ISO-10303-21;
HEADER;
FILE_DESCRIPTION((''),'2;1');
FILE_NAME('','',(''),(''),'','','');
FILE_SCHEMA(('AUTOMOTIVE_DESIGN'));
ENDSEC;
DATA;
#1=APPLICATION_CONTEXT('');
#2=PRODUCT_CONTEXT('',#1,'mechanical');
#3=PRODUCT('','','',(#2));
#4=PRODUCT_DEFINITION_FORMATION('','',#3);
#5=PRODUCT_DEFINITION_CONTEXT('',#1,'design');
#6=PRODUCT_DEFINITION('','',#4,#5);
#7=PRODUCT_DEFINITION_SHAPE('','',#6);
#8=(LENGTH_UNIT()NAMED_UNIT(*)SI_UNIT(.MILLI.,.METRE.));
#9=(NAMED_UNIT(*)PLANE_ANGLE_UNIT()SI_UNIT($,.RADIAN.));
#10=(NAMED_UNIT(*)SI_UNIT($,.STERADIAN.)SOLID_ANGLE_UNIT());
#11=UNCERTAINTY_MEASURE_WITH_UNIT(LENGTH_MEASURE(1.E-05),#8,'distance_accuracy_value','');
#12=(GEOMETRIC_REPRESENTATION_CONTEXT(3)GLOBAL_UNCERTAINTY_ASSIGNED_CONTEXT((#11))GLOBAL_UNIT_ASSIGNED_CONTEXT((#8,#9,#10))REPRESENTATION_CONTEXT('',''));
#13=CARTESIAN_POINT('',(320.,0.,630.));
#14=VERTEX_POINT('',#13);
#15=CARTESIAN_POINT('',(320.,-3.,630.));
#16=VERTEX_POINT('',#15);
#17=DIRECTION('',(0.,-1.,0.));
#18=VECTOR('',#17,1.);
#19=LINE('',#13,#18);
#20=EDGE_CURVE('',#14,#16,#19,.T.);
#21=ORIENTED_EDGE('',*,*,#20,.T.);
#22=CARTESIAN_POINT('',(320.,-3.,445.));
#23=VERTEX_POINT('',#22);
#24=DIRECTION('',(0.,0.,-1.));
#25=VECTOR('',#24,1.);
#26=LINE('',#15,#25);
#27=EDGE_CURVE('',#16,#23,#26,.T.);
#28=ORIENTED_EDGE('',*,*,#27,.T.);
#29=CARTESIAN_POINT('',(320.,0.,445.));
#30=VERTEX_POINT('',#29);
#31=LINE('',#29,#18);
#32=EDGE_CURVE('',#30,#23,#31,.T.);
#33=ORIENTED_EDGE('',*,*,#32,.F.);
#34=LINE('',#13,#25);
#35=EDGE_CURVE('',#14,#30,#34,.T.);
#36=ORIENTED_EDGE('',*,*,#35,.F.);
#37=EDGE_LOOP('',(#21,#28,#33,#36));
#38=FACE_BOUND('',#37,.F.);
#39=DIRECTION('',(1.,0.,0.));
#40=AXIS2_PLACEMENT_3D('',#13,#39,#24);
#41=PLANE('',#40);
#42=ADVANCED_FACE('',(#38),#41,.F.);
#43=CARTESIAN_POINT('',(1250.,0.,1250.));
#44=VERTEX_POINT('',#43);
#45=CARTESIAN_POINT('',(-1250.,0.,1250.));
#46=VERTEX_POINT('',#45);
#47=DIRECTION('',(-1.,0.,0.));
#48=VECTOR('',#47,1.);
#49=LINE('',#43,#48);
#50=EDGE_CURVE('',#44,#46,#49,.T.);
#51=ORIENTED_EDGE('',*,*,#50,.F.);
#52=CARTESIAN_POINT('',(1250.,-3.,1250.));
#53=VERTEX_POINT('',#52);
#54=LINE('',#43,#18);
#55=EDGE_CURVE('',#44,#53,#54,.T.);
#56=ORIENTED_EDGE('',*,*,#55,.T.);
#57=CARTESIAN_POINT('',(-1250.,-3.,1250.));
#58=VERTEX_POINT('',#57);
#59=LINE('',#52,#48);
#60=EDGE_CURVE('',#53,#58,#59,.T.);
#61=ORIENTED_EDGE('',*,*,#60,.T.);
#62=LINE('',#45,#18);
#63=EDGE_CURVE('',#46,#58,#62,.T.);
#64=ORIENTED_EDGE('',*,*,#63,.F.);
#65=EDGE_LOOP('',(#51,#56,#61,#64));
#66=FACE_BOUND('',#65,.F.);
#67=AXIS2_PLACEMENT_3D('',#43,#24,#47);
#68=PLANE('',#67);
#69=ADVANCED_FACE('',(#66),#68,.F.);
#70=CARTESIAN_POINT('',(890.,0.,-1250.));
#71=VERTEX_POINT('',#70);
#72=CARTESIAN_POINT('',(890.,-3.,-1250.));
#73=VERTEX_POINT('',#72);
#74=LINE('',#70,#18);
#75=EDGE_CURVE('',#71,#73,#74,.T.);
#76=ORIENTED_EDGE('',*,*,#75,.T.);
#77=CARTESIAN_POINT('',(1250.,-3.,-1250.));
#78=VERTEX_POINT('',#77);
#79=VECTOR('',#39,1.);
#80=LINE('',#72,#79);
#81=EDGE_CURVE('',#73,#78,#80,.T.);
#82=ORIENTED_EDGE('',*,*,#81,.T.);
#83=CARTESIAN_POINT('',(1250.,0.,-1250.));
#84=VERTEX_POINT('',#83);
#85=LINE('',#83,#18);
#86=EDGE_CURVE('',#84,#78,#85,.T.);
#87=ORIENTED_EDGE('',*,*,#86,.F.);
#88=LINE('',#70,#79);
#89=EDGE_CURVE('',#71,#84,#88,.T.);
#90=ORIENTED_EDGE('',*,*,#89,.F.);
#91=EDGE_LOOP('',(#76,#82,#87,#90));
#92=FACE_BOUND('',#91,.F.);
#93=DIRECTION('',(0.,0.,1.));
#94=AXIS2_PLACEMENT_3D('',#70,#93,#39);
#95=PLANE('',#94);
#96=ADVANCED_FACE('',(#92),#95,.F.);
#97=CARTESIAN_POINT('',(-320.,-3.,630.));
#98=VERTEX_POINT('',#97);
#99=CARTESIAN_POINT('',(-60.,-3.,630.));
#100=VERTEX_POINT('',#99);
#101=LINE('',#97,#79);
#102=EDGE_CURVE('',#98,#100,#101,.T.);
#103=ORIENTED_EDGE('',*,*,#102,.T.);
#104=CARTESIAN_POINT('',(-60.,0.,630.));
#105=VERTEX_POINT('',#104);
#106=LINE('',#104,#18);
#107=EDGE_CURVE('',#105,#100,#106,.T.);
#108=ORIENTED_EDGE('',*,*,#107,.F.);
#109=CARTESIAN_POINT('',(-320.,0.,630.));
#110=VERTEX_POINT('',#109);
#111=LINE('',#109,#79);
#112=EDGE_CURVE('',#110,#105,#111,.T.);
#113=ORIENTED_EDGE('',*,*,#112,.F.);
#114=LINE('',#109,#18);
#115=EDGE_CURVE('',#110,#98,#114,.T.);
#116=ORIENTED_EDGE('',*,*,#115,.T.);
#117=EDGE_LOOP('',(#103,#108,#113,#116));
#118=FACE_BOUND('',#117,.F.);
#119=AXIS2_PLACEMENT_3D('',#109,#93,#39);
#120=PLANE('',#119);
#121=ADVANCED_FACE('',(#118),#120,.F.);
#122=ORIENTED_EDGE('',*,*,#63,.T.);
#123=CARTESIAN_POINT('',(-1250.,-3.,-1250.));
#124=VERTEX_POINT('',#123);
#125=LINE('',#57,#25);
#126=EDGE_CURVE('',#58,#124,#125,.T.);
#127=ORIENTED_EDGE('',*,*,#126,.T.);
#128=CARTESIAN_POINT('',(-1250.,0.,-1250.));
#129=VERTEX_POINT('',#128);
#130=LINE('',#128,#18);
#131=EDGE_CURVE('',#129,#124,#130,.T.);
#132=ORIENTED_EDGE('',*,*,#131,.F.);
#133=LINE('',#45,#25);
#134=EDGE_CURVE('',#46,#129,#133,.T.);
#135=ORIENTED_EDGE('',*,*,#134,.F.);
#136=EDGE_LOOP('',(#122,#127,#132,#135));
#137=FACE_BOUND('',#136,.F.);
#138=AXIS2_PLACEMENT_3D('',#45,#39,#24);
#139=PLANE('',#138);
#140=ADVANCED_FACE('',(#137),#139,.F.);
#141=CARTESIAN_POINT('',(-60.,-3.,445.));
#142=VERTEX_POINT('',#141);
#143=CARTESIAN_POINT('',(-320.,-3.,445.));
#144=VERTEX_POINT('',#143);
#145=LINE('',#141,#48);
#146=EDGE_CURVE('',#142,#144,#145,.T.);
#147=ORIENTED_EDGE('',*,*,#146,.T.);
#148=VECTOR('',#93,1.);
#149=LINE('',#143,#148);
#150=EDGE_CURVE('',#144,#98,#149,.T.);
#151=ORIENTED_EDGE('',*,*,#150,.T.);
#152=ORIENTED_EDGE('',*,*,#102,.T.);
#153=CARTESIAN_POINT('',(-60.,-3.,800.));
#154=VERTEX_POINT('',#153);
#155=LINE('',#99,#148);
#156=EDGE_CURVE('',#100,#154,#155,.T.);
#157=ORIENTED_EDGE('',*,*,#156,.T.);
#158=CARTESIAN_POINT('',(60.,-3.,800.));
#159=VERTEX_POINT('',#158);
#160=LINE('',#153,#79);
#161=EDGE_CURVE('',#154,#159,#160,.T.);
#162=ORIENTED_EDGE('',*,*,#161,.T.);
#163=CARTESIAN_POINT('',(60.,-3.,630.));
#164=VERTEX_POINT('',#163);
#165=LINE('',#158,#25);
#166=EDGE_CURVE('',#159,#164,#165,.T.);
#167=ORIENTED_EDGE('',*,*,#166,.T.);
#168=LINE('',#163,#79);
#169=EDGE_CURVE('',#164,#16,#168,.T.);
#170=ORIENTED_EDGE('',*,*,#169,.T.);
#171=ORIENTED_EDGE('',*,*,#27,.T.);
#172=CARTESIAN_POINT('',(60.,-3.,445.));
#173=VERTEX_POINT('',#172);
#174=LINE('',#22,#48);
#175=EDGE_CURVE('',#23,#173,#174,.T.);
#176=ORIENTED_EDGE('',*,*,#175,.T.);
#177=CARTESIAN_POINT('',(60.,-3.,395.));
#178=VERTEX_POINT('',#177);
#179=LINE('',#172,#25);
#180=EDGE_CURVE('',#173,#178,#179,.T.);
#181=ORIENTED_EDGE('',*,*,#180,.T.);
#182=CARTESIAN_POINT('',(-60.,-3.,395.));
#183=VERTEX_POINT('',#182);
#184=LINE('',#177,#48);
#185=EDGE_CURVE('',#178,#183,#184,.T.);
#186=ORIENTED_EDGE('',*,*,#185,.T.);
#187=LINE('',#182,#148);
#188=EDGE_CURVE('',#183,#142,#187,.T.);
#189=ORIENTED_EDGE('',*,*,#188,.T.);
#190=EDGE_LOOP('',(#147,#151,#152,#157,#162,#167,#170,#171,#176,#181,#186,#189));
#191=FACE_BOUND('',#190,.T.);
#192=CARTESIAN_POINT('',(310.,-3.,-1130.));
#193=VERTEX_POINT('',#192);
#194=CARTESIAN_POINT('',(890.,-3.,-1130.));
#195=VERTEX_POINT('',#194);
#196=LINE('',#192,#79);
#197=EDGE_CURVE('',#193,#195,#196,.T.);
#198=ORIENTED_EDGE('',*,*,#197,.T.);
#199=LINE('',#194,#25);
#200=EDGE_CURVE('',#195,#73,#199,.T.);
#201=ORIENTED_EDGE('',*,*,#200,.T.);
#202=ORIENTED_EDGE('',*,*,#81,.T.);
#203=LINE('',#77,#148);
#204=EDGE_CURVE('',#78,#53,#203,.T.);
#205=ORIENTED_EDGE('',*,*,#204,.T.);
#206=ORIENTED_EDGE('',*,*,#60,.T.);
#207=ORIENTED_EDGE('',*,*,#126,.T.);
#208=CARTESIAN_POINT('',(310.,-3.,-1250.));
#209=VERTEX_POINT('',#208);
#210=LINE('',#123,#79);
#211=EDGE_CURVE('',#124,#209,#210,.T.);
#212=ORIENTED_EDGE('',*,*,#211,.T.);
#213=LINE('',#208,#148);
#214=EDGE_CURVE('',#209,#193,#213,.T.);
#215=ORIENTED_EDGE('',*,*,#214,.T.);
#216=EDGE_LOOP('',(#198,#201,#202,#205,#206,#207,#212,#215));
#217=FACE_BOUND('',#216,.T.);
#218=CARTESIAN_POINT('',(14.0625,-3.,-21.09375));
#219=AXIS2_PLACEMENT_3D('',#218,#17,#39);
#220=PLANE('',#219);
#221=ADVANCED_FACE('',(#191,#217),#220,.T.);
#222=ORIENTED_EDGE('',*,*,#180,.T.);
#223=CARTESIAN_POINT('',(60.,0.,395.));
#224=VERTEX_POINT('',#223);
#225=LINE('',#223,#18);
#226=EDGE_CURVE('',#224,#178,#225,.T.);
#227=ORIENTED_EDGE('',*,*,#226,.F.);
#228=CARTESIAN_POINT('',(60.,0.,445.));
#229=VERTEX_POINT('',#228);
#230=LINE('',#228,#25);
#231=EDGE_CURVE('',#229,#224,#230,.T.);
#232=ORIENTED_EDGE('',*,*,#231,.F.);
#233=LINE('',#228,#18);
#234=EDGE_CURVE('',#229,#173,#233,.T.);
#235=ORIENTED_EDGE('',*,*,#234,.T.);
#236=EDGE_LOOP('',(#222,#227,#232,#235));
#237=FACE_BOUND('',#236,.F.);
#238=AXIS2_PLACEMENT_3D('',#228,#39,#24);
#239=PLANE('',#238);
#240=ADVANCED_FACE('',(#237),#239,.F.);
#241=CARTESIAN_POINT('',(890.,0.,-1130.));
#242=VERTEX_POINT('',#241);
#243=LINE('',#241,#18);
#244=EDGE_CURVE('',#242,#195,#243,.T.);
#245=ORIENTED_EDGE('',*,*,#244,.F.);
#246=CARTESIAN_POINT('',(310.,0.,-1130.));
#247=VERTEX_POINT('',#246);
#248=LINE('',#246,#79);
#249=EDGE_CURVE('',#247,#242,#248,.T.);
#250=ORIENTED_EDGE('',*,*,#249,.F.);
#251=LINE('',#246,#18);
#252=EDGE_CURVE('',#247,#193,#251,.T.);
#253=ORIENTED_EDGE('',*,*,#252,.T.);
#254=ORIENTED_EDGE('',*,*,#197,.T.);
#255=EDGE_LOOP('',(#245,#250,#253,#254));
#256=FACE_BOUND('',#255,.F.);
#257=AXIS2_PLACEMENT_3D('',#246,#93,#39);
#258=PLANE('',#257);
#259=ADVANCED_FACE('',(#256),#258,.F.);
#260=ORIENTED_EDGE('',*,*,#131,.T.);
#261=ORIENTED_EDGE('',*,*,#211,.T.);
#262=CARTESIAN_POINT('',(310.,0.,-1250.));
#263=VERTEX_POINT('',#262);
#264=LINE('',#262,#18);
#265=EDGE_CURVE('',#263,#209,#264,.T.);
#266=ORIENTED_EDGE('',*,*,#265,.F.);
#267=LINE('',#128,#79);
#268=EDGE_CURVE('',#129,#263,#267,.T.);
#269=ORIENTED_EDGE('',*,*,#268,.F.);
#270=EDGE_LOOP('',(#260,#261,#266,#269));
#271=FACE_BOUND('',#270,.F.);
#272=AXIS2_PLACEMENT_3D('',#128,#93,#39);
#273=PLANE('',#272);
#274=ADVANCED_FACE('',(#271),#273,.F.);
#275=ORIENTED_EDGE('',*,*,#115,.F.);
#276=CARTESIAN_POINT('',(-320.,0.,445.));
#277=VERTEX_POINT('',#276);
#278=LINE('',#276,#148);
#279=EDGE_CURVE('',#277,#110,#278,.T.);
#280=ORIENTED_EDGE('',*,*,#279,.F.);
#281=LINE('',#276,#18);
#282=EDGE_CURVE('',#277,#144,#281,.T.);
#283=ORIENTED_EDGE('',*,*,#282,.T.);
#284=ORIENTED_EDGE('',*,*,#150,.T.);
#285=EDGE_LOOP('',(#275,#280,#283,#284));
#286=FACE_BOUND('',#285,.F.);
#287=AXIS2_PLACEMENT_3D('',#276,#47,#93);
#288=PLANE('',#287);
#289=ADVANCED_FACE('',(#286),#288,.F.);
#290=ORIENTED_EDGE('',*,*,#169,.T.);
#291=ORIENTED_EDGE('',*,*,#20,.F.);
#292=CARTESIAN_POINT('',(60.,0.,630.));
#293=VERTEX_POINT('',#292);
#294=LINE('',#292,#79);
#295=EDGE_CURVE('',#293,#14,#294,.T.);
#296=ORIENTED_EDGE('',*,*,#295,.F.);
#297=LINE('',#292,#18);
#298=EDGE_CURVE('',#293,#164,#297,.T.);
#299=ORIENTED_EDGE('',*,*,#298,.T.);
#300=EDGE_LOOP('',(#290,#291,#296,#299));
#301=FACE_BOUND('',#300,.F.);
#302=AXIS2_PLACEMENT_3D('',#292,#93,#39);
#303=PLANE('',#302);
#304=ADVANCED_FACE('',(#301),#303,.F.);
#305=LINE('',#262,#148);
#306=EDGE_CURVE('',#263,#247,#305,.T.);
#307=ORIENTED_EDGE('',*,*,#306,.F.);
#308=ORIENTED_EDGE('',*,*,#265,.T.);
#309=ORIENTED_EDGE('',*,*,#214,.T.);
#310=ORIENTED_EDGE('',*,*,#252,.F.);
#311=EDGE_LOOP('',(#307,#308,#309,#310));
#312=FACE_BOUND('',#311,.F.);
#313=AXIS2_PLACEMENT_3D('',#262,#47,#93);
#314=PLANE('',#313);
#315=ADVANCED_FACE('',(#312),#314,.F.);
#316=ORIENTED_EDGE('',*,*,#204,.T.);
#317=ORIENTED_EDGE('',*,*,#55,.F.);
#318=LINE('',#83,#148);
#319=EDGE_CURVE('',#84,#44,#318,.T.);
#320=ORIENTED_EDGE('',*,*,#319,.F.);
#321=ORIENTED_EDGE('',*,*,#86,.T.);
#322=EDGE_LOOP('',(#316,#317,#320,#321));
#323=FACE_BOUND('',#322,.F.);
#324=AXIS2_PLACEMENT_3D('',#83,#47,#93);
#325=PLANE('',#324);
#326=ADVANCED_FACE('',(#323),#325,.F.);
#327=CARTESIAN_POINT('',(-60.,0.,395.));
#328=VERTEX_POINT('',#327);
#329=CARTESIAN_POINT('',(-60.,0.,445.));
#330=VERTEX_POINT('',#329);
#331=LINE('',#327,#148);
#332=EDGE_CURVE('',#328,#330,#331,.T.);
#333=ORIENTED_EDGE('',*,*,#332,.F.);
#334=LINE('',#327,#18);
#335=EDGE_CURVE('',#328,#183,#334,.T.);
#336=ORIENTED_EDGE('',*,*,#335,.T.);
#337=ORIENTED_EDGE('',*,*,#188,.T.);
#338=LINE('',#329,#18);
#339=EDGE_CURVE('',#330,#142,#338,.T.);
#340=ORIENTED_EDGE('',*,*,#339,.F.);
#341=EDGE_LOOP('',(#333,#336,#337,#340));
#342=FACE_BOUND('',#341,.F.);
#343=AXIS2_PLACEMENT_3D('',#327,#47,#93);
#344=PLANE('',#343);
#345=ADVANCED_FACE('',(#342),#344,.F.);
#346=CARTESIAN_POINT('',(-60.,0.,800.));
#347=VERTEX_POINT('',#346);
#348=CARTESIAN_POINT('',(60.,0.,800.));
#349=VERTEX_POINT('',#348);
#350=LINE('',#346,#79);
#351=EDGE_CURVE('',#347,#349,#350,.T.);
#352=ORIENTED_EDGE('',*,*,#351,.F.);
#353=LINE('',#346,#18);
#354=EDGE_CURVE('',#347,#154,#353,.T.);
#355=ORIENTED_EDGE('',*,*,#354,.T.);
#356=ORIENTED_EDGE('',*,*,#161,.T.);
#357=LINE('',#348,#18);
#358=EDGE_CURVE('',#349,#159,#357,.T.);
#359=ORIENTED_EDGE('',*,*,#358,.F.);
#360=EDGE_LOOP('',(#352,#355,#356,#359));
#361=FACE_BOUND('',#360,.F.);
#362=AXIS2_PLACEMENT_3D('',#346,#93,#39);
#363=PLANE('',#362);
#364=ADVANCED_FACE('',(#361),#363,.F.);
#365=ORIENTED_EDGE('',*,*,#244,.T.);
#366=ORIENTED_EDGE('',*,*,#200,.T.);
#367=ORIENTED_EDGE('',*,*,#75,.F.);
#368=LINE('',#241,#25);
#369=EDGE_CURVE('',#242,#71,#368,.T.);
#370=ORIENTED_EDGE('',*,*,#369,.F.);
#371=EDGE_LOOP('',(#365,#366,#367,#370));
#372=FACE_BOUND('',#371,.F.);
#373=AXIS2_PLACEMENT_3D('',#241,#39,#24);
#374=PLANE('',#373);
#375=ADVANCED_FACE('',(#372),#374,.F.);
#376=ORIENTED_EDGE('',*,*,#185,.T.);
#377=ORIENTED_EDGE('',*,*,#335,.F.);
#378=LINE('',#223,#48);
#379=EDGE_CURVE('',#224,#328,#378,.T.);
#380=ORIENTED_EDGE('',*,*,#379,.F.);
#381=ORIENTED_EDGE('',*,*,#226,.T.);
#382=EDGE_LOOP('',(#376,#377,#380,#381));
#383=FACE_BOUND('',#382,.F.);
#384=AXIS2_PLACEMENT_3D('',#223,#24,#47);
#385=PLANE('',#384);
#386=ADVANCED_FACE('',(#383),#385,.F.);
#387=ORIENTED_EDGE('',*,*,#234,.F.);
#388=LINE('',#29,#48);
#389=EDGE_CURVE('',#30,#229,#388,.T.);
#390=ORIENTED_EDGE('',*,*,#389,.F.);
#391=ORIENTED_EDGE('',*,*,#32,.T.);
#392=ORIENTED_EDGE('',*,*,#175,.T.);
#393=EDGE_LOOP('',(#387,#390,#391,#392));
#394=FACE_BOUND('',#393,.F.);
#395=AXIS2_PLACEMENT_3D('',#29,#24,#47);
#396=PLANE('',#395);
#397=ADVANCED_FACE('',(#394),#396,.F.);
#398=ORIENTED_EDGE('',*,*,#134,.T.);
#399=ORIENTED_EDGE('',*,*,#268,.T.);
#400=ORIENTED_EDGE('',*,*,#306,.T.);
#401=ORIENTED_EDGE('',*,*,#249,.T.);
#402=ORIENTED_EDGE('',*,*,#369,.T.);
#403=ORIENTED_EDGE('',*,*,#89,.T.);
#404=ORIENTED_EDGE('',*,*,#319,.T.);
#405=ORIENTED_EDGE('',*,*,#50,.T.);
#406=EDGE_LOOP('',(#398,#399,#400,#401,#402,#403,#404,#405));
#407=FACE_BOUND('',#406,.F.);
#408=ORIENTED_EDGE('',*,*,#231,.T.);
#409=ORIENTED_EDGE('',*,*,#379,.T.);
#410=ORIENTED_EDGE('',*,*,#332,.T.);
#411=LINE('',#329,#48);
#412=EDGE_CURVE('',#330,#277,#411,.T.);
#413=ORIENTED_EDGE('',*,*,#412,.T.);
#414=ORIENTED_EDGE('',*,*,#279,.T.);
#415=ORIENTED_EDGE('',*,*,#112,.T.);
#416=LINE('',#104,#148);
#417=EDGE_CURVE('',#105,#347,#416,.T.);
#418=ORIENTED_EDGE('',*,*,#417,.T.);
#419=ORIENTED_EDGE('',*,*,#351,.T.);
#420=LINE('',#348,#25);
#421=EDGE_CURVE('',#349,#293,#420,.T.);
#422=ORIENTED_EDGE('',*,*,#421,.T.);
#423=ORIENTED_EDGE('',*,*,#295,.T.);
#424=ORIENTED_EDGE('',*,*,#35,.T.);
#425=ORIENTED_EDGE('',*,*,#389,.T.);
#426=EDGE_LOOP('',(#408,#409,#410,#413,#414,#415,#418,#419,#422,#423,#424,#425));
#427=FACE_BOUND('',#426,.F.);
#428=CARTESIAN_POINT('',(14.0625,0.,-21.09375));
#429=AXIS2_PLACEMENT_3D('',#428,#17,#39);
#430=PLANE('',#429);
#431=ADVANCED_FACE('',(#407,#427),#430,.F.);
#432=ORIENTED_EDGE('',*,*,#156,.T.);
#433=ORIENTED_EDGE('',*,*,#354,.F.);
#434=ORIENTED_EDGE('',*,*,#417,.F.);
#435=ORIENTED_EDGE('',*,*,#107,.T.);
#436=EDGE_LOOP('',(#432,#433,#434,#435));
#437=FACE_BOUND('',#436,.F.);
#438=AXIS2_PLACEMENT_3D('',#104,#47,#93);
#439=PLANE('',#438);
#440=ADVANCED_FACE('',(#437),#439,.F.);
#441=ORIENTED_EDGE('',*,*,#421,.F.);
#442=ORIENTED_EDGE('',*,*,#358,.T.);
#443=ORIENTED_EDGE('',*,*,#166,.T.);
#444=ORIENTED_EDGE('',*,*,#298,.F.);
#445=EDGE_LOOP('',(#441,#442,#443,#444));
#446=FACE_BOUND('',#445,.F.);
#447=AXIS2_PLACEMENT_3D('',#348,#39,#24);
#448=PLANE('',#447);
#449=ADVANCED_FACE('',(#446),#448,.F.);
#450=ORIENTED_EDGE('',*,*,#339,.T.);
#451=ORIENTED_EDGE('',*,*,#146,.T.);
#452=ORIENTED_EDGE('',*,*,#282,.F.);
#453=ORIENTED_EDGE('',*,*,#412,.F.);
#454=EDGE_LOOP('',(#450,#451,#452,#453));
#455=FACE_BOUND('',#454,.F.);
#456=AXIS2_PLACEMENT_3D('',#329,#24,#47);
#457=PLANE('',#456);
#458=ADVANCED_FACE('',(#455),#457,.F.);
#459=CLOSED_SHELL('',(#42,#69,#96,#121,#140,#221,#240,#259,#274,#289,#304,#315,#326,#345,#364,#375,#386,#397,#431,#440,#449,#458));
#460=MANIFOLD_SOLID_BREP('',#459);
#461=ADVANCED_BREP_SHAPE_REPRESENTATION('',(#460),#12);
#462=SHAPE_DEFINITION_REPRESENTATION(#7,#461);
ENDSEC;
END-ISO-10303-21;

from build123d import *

# Parameters (mm, degrees)
F1_DEPTH = 3


with BuildPart() as f1:
    # F0 (on Front) → F1 (new body)
    with BuildSketch(Plane.XZ):
        Polygon((1250, -1250), (1250, 1250), (-1250, 1250), (-1250, -1250), (310, -1250), (310, -1130), (890, -1130), (890, -1250), align=None)
        Polygon((-320, 445), (-320, 630), (-60, 630), (-60, 800), (60, 800), (60, 630), (320, 630), (320, 445), (60, 445), (60, 395), (-60, 395), (-60, 445), align=None, mode=Mode.SUBTRACT)
    extrude(amount=F1_DEPTH)


solid = f1.part
